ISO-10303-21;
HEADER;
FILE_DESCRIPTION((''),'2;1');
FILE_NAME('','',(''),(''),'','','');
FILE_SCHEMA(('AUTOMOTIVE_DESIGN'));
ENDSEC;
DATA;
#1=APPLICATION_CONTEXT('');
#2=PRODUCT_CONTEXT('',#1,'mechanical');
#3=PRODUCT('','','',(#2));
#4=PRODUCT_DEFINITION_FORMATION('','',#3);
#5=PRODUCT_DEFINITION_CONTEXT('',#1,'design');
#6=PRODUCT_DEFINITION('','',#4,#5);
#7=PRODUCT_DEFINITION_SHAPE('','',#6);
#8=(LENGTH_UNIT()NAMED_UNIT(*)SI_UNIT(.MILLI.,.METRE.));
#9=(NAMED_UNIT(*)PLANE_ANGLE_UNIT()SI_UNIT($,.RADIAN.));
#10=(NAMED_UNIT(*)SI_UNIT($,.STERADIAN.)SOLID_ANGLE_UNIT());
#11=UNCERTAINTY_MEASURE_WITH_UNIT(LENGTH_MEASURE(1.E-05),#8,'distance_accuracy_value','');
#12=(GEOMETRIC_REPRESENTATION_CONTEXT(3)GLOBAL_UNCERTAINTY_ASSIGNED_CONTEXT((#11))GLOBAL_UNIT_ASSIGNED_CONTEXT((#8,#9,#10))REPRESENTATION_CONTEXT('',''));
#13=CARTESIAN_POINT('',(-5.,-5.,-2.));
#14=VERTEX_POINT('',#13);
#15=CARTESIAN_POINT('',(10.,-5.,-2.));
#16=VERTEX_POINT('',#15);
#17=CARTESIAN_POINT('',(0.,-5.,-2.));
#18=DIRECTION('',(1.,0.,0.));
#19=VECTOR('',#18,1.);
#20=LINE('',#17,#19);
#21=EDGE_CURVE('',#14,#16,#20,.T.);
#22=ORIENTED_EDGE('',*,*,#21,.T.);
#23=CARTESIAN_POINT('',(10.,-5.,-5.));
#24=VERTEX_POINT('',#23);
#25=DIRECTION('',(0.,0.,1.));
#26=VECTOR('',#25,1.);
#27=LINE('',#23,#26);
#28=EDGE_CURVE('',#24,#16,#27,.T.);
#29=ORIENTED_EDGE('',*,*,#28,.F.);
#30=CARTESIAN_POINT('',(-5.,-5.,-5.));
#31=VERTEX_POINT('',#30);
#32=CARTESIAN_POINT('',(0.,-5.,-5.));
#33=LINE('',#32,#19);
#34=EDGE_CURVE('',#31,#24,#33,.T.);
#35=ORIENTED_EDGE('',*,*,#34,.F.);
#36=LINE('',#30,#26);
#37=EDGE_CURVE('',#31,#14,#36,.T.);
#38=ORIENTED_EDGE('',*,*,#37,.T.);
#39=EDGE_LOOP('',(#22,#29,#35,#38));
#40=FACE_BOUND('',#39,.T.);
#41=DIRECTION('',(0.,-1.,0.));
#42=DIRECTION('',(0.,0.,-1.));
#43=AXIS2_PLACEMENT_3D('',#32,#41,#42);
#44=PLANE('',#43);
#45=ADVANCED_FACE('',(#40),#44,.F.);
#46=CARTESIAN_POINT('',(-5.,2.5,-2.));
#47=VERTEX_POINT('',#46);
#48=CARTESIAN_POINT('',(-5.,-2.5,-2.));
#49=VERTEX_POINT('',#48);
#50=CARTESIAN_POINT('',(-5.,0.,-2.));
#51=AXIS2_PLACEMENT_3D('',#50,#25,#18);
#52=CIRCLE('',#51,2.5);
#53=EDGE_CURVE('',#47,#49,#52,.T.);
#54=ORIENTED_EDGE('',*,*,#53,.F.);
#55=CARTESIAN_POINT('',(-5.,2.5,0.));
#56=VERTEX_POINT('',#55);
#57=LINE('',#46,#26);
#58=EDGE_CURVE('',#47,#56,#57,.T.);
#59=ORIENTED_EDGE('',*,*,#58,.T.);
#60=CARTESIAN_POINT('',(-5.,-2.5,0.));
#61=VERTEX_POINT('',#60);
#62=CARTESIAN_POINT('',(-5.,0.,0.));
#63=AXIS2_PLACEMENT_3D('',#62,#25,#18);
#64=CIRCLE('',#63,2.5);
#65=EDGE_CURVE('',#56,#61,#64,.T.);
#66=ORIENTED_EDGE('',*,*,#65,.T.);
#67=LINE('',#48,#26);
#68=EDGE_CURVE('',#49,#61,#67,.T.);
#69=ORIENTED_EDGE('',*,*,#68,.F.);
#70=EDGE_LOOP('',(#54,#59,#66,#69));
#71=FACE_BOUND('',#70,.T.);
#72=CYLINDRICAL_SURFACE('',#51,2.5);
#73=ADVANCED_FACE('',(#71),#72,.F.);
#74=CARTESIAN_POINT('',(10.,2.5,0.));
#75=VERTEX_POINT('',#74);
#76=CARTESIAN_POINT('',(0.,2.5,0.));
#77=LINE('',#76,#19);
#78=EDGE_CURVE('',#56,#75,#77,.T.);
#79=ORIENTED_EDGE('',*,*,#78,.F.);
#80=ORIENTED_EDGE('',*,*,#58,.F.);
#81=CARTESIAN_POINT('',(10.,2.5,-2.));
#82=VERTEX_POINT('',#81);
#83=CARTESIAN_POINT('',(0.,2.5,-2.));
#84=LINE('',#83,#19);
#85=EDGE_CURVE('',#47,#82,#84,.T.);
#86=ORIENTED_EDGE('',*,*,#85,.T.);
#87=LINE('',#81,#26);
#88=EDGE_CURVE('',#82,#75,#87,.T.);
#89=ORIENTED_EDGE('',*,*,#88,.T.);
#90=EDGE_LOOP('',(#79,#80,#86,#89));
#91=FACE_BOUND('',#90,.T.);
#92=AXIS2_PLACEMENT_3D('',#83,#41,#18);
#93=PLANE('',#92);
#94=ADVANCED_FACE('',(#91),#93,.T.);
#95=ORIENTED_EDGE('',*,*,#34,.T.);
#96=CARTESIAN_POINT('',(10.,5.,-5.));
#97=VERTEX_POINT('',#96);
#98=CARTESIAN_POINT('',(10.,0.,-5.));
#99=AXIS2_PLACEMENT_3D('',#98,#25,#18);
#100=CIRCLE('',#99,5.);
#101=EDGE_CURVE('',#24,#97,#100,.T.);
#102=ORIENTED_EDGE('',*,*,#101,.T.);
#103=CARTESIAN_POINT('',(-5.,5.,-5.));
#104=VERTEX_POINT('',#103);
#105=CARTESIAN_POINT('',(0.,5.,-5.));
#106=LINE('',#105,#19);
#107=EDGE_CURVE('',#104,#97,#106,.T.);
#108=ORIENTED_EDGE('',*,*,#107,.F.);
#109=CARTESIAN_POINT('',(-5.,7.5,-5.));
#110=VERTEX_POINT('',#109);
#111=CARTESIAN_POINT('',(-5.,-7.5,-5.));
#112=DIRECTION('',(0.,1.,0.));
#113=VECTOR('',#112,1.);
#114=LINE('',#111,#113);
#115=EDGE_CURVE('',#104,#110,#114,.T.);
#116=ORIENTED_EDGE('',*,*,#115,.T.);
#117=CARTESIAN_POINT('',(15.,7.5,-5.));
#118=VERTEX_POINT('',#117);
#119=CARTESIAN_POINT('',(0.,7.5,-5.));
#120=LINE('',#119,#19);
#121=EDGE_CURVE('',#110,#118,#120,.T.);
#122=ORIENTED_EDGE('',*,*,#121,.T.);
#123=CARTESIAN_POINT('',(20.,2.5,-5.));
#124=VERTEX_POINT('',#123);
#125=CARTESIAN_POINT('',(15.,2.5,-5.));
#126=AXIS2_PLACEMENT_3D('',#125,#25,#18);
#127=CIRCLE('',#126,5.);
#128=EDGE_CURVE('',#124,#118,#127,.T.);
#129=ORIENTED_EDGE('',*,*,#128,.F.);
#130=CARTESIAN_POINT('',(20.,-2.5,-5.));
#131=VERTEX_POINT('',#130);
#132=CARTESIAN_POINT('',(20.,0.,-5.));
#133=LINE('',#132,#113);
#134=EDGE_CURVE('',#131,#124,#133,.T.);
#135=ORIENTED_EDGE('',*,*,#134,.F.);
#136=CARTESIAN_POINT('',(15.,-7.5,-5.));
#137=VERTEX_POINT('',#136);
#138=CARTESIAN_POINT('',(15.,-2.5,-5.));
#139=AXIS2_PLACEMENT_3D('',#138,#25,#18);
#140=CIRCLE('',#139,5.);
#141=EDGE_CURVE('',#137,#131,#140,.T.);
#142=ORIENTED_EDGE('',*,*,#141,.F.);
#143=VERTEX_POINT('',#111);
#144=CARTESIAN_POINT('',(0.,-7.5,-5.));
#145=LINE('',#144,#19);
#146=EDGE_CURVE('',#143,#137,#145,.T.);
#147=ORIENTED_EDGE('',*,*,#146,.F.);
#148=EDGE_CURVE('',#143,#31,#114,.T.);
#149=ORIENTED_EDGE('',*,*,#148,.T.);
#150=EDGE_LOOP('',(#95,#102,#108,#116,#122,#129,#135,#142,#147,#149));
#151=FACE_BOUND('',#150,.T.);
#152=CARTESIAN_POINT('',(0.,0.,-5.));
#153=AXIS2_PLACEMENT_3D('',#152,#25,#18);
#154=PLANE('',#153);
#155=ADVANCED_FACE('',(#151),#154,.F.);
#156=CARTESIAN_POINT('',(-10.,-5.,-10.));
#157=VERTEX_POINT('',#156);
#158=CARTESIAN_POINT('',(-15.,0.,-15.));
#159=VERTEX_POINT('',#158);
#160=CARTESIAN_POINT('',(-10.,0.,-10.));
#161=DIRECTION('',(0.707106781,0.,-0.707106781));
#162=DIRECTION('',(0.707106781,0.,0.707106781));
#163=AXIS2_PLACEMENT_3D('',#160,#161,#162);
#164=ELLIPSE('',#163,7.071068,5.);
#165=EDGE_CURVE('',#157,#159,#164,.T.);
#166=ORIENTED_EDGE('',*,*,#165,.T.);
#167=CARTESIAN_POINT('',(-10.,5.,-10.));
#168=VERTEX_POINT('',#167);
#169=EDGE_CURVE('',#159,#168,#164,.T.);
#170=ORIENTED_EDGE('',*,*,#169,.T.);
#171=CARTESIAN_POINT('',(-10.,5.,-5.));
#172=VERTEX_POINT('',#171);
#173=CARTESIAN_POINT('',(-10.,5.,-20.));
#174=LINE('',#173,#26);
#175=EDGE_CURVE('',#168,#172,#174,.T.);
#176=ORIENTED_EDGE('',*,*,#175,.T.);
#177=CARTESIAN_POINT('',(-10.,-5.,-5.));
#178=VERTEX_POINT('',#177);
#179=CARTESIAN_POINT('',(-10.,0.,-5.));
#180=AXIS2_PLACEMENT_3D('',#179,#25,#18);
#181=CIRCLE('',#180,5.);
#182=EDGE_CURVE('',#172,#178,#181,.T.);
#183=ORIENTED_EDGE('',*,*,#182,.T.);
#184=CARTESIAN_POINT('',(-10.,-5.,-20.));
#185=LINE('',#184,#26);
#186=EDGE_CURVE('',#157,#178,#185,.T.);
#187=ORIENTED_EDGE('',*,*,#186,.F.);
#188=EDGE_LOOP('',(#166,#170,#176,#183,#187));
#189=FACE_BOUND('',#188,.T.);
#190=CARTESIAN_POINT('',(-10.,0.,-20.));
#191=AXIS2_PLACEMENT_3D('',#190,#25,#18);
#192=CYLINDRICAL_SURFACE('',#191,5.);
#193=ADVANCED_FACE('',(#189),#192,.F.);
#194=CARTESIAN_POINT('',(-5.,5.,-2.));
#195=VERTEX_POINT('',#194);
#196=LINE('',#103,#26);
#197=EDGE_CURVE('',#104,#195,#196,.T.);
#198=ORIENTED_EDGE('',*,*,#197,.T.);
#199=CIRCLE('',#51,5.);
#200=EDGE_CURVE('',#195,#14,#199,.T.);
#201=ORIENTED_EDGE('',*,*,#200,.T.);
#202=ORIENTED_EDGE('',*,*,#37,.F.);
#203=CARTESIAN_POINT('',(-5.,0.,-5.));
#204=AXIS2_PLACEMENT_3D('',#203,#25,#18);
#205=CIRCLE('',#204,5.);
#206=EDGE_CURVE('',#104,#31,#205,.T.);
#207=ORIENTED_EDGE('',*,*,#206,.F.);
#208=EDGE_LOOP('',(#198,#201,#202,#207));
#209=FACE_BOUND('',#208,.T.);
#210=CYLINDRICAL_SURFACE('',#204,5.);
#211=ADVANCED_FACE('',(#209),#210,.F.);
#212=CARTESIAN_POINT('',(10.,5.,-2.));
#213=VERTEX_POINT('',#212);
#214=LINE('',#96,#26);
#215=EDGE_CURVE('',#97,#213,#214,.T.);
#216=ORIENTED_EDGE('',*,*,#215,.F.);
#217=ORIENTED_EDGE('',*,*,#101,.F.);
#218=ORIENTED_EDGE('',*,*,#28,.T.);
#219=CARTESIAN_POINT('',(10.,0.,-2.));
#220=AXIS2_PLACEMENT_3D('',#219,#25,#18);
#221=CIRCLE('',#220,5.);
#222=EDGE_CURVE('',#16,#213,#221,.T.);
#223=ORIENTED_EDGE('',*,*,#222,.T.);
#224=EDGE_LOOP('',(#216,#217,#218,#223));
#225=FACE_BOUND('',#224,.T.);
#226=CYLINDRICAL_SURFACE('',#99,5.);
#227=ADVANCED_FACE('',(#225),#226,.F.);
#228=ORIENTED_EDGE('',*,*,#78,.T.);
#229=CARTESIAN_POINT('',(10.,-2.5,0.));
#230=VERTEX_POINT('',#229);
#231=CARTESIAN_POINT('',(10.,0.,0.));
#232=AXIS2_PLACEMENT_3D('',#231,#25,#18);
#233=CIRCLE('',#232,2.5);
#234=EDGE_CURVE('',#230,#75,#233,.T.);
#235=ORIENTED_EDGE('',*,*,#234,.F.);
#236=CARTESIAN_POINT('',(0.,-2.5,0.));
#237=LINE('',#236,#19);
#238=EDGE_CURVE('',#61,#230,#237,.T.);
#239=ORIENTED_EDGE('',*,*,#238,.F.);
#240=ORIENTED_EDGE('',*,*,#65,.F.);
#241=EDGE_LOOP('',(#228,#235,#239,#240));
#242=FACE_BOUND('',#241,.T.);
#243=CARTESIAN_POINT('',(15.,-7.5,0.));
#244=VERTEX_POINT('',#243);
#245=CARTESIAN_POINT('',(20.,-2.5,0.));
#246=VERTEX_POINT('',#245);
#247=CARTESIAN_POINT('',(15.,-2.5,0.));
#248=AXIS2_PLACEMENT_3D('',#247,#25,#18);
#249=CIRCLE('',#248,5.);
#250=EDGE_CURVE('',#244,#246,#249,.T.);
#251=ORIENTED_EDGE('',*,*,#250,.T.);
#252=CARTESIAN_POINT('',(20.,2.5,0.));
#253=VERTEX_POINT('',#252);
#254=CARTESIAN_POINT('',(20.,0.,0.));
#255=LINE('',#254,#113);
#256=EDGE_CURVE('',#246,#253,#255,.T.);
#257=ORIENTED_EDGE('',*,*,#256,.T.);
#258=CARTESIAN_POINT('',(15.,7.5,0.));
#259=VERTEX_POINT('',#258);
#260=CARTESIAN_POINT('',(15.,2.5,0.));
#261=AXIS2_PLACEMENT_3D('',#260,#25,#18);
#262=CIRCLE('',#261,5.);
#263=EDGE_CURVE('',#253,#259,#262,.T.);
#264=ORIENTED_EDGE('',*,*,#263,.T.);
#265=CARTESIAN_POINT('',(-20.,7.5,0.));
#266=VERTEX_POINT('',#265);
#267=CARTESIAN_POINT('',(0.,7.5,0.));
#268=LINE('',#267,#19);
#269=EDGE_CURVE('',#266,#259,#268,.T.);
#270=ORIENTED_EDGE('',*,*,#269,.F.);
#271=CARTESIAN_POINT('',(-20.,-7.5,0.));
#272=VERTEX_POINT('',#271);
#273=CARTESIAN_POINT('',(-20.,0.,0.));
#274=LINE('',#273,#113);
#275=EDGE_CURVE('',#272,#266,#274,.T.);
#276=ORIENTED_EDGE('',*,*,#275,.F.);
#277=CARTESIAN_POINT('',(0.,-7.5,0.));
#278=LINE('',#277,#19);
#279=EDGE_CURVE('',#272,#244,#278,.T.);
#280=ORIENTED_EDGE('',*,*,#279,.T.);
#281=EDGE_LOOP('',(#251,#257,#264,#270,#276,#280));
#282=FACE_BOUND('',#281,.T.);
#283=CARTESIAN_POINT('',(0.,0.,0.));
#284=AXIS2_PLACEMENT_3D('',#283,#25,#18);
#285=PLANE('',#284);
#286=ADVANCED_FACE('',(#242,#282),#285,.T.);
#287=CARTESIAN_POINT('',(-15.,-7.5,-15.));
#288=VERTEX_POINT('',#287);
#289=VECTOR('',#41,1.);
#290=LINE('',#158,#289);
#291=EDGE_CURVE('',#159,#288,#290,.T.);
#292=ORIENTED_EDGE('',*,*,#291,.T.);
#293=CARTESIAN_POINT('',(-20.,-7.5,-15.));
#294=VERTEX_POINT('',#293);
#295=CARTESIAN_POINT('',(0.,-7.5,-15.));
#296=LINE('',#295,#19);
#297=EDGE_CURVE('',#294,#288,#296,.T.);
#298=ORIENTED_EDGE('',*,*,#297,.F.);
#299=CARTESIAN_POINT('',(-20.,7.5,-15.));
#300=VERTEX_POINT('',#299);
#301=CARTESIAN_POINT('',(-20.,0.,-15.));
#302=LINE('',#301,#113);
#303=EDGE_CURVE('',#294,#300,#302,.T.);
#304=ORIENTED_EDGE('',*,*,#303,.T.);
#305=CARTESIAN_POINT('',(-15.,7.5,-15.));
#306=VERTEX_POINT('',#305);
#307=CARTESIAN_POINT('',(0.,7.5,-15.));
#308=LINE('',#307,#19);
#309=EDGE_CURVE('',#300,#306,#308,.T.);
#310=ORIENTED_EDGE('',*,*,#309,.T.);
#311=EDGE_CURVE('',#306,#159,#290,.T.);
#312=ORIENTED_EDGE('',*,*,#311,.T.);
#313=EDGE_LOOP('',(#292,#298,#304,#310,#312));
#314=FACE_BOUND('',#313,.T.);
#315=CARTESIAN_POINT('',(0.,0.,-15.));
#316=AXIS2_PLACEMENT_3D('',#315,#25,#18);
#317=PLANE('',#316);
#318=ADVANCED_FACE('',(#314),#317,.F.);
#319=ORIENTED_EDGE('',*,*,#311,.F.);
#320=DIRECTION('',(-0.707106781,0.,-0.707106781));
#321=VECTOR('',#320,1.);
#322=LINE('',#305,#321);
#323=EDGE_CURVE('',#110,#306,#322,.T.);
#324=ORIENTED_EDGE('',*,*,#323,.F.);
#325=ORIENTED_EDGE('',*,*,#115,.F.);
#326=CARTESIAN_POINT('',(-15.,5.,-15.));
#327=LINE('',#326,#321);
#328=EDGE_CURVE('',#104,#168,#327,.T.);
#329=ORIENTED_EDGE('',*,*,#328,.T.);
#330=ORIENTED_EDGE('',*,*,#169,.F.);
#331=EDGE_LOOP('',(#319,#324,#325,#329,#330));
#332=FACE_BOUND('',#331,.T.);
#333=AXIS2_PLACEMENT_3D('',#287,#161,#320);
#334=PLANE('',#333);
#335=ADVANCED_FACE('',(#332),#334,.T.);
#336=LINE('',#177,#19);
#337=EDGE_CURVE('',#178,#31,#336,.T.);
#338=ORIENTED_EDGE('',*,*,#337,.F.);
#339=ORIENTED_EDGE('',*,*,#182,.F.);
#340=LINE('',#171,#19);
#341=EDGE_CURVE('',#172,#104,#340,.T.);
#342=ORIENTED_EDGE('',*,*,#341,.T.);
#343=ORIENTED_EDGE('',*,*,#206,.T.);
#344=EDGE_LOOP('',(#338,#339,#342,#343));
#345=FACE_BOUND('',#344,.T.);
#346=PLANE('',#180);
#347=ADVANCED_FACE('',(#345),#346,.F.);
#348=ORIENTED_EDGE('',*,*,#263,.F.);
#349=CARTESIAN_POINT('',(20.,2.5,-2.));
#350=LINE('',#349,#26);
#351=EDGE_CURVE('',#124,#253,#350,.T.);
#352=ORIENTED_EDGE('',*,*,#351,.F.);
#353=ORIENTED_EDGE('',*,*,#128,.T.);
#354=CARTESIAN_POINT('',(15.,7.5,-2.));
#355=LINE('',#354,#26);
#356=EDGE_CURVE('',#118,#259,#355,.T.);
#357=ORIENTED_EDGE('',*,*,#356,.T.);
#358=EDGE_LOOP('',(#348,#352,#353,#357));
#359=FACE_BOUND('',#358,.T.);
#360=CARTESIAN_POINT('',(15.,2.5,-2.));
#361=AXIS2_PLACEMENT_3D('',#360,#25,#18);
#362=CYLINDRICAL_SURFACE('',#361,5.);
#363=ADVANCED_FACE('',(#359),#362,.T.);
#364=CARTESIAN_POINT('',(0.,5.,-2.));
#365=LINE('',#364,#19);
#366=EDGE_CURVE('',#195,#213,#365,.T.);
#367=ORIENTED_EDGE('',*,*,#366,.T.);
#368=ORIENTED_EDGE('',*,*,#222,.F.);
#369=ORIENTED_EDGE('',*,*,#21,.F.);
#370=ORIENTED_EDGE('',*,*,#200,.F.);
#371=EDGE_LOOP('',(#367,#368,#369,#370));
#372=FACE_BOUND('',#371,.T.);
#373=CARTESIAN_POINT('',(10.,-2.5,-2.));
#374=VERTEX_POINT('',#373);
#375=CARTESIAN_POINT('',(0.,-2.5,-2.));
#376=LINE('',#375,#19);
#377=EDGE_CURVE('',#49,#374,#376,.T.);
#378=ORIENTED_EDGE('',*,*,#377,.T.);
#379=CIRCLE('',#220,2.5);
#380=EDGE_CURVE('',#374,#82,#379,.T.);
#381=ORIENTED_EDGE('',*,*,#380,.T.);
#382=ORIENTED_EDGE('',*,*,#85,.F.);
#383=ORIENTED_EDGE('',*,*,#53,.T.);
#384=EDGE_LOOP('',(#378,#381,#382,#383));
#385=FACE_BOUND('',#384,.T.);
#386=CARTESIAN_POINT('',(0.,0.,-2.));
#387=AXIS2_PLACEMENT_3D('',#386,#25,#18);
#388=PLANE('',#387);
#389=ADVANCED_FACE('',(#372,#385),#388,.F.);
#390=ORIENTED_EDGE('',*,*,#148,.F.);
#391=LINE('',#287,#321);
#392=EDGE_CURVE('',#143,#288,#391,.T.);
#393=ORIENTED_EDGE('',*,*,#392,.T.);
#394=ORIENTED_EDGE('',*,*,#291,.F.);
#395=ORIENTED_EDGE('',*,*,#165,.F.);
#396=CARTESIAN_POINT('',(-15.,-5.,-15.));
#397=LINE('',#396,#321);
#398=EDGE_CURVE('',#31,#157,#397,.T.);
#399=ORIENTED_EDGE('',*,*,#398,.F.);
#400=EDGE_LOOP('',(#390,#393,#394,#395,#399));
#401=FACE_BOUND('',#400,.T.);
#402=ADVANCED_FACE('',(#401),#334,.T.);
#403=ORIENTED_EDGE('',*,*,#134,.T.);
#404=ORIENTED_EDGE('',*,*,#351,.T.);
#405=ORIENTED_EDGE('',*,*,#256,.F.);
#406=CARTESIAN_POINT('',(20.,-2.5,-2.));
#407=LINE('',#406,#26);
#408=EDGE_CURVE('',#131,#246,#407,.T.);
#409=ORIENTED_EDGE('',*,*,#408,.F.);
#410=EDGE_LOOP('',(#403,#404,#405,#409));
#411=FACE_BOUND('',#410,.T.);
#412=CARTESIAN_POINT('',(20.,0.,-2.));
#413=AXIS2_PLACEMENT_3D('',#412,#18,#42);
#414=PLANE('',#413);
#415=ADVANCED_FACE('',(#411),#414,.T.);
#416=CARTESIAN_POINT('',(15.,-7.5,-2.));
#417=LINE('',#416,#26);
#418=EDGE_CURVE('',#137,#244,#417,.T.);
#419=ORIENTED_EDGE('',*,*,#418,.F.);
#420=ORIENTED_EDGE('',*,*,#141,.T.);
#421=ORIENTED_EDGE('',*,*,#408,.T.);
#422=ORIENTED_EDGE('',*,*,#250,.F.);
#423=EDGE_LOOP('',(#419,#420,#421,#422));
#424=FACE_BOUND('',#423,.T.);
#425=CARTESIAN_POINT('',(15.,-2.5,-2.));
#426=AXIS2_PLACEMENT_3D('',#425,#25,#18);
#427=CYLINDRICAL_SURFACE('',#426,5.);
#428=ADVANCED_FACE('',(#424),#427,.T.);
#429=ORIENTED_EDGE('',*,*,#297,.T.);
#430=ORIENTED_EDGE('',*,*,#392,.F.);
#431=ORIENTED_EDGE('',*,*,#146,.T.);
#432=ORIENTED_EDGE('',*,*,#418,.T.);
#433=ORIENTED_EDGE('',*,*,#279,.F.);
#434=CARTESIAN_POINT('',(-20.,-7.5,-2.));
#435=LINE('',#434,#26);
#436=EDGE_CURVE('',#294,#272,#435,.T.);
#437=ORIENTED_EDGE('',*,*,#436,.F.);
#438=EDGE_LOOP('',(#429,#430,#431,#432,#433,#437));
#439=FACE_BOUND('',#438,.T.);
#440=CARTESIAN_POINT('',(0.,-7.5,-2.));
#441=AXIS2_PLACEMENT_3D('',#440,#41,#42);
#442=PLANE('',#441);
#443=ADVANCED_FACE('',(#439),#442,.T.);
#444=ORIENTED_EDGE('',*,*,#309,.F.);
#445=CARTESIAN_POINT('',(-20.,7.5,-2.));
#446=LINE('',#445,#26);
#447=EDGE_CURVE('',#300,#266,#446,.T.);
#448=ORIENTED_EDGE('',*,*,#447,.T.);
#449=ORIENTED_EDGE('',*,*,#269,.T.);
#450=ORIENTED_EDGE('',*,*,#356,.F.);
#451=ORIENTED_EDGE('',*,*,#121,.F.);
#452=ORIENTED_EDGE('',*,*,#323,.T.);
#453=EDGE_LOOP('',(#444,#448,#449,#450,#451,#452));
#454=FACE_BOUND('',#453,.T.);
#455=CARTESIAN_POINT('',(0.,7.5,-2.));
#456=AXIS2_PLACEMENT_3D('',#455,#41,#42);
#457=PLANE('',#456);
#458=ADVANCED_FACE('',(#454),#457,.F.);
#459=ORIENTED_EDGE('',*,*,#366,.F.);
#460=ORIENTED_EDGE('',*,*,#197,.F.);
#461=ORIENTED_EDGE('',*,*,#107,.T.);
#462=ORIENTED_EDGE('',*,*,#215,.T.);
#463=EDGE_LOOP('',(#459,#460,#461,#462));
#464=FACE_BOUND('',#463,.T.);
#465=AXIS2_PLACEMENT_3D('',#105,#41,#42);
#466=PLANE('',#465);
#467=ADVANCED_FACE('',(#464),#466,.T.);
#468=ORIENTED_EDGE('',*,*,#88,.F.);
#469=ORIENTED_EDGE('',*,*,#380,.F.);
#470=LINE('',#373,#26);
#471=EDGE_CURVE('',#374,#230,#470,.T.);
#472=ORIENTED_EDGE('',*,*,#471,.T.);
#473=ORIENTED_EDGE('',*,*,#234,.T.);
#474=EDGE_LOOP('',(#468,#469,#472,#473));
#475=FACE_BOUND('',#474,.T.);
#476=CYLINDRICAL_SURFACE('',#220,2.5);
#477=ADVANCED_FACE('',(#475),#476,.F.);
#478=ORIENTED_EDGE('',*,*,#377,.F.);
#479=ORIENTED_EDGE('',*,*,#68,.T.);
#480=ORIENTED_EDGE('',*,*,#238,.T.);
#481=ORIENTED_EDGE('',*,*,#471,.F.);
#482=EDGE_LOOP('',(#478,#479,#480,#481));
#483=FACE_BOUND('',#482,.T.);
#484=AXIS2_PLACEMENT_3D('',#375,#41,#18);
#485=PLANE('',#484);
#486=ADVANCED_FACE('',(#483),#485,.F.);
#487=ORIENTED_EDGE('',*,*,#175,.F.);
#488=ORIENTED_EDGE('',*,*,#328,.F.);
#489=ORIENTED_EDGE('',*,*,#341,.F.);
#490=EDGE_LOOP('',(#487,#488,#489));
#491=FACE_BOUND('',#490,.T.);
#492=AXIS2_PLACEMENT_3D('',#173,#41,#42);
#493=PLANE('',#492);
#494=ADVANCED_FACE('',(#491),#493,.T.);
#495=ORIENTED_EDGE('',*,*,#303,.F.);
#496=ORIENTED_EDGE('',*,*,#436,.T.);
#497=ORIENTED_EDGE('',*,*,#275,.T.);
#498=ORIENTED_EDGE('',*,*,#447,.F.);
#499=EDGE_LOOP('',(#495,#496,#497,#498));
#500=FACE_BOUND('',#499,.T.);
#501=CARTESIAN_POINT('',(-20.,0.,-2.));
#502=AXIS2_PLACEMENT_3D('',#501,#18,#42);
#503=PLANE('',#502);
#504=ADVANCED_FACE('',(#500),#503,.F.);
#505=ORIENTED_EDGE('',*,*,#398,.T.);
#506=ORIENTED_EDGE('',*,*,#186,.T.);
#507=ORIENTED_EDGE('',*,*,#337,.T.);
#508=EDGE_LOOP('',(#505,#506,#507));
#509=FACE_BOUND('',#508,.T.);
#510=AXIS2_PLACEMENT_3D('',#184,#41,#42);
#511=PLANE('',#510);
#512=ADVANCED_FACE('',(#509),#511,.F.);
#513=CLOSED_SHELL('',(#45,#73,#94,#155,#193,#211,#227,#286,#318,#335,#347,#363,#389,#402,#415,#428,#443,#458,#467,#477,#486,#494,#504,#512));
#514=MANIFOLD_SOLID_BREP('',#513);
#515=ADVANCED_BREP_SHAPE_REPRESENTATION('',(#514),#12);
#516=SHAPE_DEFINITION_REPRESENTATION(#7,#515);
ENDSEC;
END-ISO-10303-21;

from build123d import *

# Parameters (mm, degrees)
EXTRUDE_1_DEPTH     = 2
EXTRUDE_2_DEPTH     = 5
EXTRUDE_3_DEPTH     = 15
EXTRUDE_4_DEPTH     = 15
CUT_EXTRUDE_START   = -5
CUT_EXTRUDE_1_DEPTH = 15


with BuildPart() as part:
    # Sketch 1 → Extrude 1 (new body)
    with BuildSketch(Plane.XY):
        with BuildLine():
            Line((-20, -7.5), (15, -7.5))
            ThreePointArc((15, -7.5), (18.535533906, -6.035533906), (20, -2.5))
            Line((20, -2.5), (20, 2.5))
            ThreePointArc((20, 2.5), (18.535533906, 6.035533906), (15, 7.5))
            Line((15, 7.5), (-20, 7.5))
            Line((-20, 7.5), (-20, -7.5))
        make_face()
        with BuildLine():
            Line((-5, 2.5), (10, 2.5))
            ThreePointArc((10, 2.5), (12.5, 0), (10, -2.5))
            Line((10, -2.5), (-5, -2.5))
            ThreePointArc((-5, -2.5), (-7.5, 0), (-5, 2.5))
        make_face(mode=Mode.SUBTRACT)
    extrude(amount=-EXTRUDE_1_DEPTH)

    # Sketch 1_3 → Extrude 2 (add)
    with BuildSketch(Plane.XY):
        with BuildLine():
            Line((15, 7.5), (-20, 7.5))
            Line((-20, 7.5), (-20, -7.5))
            Line((-20, -7.5), (15, -7.5))
            ThreePointArc((15, -7.5), (18.535533906, -6.035533906), (20, -2.5))
            Line((20, -2.5), (20, 2.5))
            ThreePointArc((20, 2.5), (18.535533906, 6.035533906), (15, 7.5))
        make_face()
        with BuildLine():
            ThreePointArc((-5, -5), (-10, 0), (-5, 5))
            Line((-5, 5), (10, 5))
            ThreePointArc((10, 5), (15, 0), (10, -5))
            Line((10, -5), (-5, -5))
        make_face(mode=Mode.SUBTRACT)
    extrude(amount=-EXTRUDE_2_DEPTH)

    # Sketch 1_4 → Extrude 3 (add)
    with BuildSketch(Plane.XY):
        Polygon((-15, 0), (-15, 7.5), (-20, 7.5), (-20, -7.5), (-15, -7.5), align=None)
    extrude(amount=-EXTRUDE_3_DEPTH)

    # Sketch 2 → Extrude 4 (add)
    with BuildSketch(Plane(origin=(0, 7.5, 0), x_dir=(1, 0, 0), z_dir=(0, 1, 0))):
        Polygon((-15, 15), (-5, 5), (-15, 5), align=None)
    extrude(amount=-EXTRUDE_4_DEPTH)

    # Sketch 1_5 → Cut-Extrude 1 (cut)
    with BuildSketch(Plane.XY.offset(CUT_EXTRUDE_START)):
        with BuildLine():
            Line((-10, 5), (10, 5))
            ThreePointArc((10, 5), (15, 0), (10, -5))
            Line((10, -5), (-10, -5))
            ThreePointArc((-10, -5), (-15, 0), (-10, 5))
        make_face()
    extrude(amount=-CUT_EXTRUDE_1_DEPTH, mode=Mode.SUBTRACT)


solid = part.part
